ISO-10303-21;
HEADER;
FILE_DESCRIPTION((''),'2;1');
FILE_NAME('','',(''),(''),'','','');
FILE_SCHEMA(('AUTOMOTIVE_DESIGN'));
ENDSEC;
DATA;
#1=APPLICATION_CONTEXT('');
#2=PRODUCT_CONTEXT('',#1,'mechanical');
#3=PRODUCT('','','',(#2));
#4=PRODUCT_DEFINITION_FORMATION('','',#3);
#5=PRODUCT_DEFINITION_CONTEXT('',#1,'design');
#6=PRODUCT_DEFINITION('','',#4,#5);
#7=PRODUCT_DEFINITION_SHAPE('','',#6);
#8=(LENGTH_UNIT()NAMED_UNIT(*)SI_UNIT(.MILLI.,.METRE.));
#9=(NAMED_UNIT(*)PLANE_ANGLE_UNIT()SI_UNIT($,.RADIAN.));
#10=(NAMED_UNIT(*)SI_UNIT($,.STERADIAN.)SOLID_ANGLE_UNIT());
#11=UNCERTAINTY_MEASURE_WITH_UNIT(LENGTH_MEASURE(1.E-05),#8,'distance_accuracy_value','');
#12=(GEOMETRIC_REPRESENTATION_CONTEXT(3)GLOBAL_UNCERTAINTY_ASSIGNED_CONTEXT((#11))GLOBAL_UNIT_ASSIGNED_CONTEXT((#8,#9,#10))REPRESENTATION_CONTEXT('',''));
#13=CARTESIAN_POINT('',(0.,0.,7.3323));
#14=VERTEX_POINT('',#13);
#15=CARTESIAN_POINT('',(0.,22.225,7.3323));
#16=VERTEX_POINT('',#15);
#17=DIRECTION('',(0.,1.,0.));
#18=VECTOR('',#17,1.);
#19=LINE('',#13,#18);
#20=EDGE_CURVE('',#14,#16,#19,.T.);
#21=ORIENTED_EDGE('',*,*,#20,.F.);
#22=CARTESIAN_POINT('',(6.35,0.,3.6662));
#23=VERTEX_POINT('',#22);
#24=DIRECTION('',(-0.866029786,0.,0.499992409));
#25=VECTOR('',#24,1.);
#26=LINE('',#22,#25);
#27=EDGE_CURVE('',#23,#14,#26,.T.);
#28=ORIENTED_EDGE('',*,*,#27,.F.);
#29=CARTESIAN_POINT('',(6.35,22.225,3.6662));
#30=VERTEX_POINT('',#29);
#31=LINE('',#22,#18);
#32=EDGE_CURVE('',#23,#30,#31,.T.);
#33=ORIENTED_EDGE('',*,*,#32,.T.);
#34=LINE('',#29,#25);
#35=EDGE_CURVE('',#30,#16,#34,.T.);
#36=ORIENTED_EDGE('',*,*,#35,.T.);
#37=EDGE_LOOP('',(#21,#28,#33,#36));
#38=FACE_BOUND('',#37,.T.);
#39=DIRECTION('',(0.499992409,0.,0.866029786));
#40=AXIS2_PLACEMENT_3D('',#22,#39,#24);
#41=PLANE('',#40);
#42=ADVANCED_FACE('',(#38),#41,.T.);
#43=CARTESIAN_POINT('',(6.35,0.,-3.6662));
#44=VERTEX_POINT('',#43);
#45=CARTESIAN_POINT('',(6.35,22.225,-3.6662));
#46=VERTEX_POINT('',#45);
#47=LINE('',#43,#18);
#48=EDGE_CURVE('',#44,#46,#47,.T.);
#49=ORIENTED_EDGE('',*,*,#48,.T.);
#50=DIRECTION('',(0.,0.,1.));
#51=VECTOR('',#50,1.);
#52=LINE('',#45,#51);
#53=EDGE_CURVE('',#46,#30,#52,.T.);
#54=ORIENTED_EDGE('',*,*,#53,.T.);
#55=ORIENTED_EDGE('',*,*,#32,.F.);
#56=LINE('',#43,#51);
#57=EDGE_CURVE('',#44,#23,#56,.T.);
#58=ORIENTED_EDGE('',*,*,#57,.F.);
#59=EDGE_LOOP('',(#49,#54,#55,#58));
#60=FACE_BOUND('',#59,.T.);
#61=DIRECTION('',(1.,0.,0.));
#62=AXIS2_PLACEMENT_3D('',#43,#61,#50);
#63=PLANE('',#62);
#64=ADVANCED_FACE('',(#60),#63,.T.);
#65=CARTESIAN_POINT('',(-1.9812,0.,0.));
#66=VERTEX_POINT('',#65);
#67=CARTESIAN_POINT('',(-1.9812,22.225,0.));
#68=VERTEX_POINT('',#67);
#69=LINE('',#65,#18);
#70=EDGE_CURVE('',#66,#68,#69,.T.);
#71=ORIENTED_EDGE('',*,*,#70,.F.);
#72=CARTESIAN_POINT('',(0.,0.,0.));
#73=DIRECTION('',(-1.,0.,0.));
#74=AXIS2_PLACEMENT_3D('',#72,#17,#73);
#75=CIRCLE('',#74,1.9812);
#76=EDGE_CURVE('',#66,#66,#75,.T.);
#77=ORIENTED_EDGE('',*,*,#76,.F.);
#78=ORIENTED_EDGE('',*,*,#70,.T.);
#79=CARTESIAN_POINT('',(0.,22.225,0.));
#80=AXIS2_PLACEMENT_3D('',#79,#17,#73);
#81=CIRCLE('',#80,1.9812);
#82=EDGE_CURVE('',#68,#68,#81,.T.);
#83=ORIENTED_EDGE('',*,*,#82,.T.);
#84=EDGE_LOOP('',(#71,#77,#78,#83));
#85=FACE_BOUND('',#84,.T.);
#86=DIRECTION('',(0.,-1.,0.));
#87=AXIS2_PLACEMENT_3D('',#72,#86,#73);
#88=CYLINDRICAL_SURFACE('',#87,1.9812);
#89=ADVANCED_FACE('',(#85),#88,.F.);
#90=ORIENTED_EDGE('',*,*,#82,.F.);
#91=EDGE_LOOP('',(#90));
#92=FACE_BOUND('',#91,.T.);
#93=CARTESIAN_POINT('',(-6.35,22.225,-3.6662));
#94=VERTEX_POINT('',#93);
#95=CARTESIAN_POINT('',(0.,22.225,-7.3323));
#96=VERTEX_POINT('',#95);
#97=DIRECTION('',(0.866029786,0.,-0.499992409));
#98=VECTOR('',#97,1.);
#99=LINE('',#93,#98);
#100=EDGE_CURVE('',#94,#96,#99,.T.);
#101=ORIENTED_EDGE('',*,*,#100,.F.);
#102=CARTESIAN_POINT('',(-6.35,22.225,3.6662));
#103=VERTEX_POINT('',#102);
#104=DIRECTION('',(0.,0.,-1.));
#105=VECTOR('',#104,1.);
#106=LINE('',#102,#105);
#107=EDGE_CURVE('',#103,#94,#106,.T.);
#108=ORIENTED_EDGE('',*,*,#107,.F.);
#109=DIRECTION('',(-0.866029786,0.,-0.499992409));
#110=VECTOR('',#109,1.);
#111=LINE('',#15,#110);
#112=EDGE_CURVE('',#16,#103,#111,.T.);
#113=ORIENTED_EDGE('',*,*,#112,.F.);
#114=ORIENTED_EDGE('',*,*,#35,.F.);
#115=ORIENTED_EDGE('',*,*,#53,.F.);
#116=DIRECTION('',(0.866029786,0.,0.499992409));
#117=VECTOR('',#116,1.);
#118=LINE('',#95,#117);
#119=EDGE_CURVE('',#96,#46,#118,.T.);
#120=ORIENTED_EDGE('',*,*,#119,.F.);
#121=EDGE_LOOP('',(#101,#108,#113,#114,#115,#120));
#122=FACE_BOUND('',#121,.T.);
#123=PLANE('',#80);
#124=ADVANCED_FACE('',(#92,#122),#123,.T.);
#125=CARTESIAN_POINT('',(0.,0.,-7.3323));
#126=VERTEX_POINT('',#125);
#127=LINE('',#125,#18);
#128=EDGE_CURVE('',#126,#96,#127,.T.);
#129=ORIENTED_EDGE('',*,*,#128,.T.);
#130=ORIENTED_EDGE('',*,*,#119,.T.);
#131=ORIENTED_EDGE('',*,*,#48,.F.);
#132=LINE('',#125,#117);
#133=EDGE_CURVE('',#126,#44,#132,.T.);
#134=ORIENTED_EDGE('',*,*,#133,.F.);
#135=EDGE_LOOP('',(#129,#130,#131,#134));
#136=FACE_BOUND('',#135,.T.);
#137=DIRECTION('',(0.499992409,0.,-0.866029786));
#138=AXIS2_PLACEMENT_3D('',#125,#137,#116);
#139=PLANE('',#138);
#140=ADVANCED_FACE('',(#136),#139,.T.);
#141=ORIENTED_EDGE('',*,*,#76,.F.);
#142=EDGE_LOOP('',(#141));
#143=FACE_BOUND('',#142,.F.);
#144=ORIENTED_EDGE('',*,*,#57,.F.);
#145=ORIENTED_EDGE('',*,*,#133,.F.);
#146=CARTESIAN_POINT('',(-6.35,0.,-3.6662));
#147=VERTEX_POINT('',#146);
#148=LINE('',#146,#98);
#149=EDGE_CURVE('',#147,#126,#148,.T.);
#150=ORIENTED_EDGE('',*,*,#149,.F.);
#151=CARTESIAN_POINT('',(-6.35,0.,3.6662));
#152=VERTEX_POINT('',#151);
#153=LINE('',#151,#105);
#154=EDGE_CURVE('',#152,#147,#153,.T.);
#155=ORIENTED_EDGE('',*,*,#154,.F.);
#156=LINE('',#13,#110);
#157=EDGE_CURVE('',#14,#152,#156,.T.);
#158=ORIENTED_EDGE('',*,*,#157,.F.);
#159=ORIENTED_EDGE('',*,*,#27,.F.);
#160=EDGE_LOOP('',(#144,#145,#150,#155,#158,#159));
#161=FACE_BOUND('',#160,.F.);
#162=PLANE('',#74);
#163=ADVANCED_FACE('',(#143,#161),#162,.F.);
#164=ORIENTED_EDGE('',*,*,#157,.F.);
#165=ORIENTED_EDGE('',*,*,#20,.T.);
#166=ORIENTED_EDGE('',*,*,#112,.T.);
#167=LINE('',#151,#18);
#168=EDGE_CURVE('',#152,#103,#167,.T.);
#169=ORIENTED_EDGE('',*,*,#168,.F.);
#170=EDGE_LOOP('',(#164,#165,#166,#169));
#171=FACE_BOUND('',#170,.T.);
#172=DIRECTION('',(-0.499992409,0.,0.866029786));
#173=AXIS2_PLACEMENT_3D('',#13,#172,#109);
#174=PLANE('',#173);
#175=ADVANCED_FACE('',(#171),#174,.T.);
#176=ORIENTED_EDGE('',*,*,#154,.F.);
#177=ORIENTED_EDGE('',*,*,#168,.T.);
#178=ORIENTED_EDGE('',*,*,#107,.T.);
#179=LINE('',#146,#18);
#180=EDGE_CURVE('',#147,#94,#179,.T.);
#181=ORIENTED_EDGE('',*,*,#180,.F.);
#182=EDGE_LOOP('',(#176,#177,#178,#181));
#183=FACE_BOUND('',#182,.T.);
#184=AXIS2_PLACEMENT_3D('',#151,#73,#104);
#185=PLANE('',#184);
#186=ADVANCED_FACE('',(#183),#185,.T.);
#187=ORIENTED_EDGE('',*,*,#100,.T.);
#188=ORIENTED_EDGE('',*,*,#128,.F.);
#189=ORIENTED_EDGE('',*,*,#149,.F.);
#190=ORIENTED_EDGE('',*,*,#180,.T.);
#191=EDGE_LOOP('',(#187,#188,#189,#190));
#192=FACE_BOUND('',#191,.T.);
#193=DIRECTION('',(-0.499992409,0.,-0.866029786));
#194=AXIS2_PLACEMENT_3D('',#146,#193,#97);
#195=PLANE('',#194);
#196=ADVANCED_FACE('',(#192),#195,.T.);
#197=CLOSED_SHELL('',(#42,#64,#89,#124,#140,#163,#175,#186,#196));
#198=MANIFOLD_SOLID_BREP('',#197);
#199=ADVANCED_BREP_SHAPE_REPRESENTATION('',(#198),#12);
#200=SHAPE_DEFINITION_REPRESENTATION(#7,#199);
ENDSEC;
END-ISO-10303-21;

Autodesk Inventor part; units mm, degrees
ref_plane "YZ Plane" through (0, 0, 0) normal (1, 0, 0) x (0, 1, 0)
ref_plane "XZ Plane" through (0, 0, 0) normal (0, 1, 0) x (-1, 0, 0)
ref_plane "XY Plane" through (0, 0, 0) normal (0, 0, 1) x (1, 0, 0)
sketch "Sketch1" plane through (0, 0, 0) normal (0, 1, 0) x (-1, 0, 0)
  circle A0 centre (0, 0) radius 1.9812
  line L0 (6.35, 3.6662) -> (6.35, -3.6662)
  line L1 (6.35, -3.6662) -> (0, -7.3323)
  line L2 (0, -7.3323) -> (-6.35, -3.6662)
  line L3 (-6.35, -3.6662) -> (-6.35, 3.6662)
  line L4 (-6.35, 3.6662) -> (0, 7.3323)
  line L5 (0, 7.3323) -> (6.35, 3.6662)
  dimension "d0" = 3.9624
  dimension "d1" = 12.7
extrude "Extrusion1" add sketch "Sketch1" along normal blind 22.225
thread "Thread1" size "10-32 UNF" class "2B" standard "ANSI Unified Screw Threads" full length
properties part number "CLIM_007_HexHaft" material "Aluminum 6061"
